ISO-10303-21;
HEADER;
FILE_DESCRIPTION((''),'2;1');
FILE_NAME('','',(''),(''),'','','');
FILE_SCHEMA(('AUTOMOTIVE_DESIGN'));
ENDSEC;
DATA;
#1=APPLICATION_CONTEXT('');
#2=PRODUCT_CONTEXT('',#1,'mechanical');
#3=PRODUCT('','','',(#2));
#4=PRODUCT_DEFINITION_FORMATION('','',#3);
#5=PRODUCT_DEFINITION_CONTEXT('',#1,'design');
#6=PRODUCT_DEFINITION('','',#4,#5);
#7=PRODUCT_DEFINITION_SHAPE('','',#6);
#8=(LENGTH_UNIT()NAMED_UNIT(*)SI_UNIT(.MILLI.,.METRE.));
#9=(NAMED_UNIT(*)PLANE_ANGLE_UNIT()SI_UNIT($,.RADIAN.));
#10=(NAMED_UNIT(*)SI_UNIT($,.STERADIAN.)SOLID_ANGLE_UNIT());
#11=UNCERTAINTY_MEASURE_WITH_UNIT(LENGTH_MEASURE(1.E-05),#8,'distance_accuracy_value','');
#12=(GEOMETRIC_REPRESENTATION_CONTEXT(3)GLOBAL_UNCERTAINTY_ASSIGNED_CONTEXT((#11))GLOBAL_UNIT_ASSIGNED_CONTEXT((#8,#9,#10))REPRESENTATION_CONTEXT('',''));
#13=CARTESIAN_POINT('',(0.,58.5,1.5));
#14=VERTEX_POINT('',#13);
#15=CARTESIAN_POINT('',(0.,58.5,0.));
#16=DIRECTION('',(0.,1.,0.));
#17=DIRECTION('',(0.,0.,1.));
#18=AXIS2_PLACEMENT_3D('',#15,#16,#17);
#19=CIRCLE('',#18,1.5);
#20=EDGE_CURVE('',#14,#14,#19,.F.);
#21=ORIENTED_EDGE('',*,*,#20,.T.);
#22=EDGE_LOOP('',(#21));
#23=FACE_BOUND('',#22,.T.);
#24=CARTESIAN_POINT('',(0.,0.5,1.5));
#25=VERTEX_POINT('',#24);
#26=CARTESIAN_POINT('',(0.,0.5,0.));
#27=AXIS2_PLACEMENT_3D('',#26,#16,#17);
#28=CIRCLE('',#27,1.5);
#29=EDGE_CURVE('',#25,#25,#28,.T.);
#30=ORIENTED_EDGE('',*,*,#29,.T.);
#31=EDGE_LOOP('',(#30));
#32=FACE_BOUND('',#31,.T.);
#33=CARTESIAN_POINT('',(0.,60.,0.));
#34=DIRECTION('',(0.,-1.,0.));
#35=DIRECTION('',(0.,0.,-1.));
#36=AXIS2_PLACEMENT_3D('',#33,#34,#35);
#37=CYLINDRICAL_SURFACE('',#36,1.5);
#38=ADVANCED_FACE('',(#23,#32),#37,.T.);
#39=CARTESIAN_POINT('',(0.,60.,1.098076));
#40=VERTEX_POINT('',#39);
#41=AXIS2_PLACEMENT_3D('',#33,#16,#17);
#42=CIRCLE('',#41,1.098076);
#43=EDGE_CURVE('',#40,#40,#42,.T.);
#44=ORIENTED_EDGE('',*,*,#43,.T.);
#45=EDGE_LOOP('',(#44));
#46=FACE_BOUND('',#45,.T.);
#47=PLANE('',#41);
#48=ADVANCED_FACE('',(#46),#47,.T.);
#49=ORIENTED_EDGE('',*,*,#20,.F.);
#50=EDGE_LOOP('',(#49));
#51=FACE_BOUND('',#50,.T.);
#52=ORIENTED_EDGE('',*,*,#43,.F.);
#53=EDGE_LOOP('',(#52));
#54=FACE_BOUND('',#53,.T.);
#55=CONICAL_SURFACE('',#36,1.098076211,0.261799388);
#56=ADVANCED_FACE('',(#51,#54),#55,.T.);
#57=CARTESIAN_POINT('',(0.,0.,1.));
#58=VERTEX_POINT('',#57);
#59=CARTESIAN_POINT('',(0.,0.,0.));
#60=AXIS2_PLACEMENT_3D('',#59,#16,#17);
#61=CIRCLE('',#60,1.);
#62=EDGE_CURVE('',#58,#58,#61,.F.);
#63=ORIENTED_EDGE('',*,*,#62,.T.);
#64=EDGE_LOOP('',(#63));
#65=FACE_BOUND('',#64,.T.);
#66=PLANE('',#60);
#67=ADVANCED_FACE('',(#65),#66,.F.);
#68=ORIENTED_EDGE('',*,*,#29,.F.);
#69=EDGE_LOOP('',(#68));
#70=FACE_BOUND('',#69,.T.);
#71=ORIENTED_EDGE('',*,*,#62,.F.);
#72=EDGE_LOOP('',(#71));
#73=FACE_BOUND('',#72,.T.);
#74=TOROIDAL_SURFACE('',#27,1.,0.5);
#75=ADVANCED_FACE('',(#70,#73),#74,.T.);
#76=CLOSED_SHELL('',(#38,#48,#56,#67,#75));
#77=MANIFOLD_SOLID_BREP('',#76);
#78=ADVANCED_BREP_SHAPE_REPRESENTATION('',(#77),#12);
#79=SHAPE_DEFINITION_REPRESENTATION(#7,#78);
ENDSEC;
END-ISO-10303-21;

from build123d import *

# Parameters (mm, degrees)
SKETCH1_R           = 1.5
BOSS_EXTRUDE1_DEPTH = 60
CHAMFER1_SIZE       = 1.5
CHAMFER1_SIZE2      = 0.401923789
FILLET1_R           = 0.5


with BuildPart() as part:
    # Sketch1 → Boss-Extrude1 (new body)
    with BuildSketch(Plane(origin=(0, 0, 0), x_dir=(1, 0, 0), z_dir=(0, 1, 0))):
        with Locations(Location((0, 0, 0), (0, 0, 270))):
            Circle(SKETCH1_R)
    extrude(amount=BOSS_EXTRUDE1_DEPTH)

    # Chamfer1
    chamfer1_edges = [part.edges().sort_by_distance(p)[0] for p in [
        (0, 60, -1.5),
    ]]
    chamfer1_side = [part.faces().sort_by_distance(p)[0] for p in [
        (0, 30, -1.5),
    ]]
    chamfer(chamfer1_edges, length=CHAMFER1_SIZE, length2=CHAMFER1_SIZE2, reference=chamfer1_side[0])

    # Fillet1
    fillet1_edges = [part.edges().sort_by_distance(p)[0] for p in [
        (0, 0, -1.5),
    ]]
    fillet(fillet1_edges, radius=FILLET1_R)


solid = part.part
